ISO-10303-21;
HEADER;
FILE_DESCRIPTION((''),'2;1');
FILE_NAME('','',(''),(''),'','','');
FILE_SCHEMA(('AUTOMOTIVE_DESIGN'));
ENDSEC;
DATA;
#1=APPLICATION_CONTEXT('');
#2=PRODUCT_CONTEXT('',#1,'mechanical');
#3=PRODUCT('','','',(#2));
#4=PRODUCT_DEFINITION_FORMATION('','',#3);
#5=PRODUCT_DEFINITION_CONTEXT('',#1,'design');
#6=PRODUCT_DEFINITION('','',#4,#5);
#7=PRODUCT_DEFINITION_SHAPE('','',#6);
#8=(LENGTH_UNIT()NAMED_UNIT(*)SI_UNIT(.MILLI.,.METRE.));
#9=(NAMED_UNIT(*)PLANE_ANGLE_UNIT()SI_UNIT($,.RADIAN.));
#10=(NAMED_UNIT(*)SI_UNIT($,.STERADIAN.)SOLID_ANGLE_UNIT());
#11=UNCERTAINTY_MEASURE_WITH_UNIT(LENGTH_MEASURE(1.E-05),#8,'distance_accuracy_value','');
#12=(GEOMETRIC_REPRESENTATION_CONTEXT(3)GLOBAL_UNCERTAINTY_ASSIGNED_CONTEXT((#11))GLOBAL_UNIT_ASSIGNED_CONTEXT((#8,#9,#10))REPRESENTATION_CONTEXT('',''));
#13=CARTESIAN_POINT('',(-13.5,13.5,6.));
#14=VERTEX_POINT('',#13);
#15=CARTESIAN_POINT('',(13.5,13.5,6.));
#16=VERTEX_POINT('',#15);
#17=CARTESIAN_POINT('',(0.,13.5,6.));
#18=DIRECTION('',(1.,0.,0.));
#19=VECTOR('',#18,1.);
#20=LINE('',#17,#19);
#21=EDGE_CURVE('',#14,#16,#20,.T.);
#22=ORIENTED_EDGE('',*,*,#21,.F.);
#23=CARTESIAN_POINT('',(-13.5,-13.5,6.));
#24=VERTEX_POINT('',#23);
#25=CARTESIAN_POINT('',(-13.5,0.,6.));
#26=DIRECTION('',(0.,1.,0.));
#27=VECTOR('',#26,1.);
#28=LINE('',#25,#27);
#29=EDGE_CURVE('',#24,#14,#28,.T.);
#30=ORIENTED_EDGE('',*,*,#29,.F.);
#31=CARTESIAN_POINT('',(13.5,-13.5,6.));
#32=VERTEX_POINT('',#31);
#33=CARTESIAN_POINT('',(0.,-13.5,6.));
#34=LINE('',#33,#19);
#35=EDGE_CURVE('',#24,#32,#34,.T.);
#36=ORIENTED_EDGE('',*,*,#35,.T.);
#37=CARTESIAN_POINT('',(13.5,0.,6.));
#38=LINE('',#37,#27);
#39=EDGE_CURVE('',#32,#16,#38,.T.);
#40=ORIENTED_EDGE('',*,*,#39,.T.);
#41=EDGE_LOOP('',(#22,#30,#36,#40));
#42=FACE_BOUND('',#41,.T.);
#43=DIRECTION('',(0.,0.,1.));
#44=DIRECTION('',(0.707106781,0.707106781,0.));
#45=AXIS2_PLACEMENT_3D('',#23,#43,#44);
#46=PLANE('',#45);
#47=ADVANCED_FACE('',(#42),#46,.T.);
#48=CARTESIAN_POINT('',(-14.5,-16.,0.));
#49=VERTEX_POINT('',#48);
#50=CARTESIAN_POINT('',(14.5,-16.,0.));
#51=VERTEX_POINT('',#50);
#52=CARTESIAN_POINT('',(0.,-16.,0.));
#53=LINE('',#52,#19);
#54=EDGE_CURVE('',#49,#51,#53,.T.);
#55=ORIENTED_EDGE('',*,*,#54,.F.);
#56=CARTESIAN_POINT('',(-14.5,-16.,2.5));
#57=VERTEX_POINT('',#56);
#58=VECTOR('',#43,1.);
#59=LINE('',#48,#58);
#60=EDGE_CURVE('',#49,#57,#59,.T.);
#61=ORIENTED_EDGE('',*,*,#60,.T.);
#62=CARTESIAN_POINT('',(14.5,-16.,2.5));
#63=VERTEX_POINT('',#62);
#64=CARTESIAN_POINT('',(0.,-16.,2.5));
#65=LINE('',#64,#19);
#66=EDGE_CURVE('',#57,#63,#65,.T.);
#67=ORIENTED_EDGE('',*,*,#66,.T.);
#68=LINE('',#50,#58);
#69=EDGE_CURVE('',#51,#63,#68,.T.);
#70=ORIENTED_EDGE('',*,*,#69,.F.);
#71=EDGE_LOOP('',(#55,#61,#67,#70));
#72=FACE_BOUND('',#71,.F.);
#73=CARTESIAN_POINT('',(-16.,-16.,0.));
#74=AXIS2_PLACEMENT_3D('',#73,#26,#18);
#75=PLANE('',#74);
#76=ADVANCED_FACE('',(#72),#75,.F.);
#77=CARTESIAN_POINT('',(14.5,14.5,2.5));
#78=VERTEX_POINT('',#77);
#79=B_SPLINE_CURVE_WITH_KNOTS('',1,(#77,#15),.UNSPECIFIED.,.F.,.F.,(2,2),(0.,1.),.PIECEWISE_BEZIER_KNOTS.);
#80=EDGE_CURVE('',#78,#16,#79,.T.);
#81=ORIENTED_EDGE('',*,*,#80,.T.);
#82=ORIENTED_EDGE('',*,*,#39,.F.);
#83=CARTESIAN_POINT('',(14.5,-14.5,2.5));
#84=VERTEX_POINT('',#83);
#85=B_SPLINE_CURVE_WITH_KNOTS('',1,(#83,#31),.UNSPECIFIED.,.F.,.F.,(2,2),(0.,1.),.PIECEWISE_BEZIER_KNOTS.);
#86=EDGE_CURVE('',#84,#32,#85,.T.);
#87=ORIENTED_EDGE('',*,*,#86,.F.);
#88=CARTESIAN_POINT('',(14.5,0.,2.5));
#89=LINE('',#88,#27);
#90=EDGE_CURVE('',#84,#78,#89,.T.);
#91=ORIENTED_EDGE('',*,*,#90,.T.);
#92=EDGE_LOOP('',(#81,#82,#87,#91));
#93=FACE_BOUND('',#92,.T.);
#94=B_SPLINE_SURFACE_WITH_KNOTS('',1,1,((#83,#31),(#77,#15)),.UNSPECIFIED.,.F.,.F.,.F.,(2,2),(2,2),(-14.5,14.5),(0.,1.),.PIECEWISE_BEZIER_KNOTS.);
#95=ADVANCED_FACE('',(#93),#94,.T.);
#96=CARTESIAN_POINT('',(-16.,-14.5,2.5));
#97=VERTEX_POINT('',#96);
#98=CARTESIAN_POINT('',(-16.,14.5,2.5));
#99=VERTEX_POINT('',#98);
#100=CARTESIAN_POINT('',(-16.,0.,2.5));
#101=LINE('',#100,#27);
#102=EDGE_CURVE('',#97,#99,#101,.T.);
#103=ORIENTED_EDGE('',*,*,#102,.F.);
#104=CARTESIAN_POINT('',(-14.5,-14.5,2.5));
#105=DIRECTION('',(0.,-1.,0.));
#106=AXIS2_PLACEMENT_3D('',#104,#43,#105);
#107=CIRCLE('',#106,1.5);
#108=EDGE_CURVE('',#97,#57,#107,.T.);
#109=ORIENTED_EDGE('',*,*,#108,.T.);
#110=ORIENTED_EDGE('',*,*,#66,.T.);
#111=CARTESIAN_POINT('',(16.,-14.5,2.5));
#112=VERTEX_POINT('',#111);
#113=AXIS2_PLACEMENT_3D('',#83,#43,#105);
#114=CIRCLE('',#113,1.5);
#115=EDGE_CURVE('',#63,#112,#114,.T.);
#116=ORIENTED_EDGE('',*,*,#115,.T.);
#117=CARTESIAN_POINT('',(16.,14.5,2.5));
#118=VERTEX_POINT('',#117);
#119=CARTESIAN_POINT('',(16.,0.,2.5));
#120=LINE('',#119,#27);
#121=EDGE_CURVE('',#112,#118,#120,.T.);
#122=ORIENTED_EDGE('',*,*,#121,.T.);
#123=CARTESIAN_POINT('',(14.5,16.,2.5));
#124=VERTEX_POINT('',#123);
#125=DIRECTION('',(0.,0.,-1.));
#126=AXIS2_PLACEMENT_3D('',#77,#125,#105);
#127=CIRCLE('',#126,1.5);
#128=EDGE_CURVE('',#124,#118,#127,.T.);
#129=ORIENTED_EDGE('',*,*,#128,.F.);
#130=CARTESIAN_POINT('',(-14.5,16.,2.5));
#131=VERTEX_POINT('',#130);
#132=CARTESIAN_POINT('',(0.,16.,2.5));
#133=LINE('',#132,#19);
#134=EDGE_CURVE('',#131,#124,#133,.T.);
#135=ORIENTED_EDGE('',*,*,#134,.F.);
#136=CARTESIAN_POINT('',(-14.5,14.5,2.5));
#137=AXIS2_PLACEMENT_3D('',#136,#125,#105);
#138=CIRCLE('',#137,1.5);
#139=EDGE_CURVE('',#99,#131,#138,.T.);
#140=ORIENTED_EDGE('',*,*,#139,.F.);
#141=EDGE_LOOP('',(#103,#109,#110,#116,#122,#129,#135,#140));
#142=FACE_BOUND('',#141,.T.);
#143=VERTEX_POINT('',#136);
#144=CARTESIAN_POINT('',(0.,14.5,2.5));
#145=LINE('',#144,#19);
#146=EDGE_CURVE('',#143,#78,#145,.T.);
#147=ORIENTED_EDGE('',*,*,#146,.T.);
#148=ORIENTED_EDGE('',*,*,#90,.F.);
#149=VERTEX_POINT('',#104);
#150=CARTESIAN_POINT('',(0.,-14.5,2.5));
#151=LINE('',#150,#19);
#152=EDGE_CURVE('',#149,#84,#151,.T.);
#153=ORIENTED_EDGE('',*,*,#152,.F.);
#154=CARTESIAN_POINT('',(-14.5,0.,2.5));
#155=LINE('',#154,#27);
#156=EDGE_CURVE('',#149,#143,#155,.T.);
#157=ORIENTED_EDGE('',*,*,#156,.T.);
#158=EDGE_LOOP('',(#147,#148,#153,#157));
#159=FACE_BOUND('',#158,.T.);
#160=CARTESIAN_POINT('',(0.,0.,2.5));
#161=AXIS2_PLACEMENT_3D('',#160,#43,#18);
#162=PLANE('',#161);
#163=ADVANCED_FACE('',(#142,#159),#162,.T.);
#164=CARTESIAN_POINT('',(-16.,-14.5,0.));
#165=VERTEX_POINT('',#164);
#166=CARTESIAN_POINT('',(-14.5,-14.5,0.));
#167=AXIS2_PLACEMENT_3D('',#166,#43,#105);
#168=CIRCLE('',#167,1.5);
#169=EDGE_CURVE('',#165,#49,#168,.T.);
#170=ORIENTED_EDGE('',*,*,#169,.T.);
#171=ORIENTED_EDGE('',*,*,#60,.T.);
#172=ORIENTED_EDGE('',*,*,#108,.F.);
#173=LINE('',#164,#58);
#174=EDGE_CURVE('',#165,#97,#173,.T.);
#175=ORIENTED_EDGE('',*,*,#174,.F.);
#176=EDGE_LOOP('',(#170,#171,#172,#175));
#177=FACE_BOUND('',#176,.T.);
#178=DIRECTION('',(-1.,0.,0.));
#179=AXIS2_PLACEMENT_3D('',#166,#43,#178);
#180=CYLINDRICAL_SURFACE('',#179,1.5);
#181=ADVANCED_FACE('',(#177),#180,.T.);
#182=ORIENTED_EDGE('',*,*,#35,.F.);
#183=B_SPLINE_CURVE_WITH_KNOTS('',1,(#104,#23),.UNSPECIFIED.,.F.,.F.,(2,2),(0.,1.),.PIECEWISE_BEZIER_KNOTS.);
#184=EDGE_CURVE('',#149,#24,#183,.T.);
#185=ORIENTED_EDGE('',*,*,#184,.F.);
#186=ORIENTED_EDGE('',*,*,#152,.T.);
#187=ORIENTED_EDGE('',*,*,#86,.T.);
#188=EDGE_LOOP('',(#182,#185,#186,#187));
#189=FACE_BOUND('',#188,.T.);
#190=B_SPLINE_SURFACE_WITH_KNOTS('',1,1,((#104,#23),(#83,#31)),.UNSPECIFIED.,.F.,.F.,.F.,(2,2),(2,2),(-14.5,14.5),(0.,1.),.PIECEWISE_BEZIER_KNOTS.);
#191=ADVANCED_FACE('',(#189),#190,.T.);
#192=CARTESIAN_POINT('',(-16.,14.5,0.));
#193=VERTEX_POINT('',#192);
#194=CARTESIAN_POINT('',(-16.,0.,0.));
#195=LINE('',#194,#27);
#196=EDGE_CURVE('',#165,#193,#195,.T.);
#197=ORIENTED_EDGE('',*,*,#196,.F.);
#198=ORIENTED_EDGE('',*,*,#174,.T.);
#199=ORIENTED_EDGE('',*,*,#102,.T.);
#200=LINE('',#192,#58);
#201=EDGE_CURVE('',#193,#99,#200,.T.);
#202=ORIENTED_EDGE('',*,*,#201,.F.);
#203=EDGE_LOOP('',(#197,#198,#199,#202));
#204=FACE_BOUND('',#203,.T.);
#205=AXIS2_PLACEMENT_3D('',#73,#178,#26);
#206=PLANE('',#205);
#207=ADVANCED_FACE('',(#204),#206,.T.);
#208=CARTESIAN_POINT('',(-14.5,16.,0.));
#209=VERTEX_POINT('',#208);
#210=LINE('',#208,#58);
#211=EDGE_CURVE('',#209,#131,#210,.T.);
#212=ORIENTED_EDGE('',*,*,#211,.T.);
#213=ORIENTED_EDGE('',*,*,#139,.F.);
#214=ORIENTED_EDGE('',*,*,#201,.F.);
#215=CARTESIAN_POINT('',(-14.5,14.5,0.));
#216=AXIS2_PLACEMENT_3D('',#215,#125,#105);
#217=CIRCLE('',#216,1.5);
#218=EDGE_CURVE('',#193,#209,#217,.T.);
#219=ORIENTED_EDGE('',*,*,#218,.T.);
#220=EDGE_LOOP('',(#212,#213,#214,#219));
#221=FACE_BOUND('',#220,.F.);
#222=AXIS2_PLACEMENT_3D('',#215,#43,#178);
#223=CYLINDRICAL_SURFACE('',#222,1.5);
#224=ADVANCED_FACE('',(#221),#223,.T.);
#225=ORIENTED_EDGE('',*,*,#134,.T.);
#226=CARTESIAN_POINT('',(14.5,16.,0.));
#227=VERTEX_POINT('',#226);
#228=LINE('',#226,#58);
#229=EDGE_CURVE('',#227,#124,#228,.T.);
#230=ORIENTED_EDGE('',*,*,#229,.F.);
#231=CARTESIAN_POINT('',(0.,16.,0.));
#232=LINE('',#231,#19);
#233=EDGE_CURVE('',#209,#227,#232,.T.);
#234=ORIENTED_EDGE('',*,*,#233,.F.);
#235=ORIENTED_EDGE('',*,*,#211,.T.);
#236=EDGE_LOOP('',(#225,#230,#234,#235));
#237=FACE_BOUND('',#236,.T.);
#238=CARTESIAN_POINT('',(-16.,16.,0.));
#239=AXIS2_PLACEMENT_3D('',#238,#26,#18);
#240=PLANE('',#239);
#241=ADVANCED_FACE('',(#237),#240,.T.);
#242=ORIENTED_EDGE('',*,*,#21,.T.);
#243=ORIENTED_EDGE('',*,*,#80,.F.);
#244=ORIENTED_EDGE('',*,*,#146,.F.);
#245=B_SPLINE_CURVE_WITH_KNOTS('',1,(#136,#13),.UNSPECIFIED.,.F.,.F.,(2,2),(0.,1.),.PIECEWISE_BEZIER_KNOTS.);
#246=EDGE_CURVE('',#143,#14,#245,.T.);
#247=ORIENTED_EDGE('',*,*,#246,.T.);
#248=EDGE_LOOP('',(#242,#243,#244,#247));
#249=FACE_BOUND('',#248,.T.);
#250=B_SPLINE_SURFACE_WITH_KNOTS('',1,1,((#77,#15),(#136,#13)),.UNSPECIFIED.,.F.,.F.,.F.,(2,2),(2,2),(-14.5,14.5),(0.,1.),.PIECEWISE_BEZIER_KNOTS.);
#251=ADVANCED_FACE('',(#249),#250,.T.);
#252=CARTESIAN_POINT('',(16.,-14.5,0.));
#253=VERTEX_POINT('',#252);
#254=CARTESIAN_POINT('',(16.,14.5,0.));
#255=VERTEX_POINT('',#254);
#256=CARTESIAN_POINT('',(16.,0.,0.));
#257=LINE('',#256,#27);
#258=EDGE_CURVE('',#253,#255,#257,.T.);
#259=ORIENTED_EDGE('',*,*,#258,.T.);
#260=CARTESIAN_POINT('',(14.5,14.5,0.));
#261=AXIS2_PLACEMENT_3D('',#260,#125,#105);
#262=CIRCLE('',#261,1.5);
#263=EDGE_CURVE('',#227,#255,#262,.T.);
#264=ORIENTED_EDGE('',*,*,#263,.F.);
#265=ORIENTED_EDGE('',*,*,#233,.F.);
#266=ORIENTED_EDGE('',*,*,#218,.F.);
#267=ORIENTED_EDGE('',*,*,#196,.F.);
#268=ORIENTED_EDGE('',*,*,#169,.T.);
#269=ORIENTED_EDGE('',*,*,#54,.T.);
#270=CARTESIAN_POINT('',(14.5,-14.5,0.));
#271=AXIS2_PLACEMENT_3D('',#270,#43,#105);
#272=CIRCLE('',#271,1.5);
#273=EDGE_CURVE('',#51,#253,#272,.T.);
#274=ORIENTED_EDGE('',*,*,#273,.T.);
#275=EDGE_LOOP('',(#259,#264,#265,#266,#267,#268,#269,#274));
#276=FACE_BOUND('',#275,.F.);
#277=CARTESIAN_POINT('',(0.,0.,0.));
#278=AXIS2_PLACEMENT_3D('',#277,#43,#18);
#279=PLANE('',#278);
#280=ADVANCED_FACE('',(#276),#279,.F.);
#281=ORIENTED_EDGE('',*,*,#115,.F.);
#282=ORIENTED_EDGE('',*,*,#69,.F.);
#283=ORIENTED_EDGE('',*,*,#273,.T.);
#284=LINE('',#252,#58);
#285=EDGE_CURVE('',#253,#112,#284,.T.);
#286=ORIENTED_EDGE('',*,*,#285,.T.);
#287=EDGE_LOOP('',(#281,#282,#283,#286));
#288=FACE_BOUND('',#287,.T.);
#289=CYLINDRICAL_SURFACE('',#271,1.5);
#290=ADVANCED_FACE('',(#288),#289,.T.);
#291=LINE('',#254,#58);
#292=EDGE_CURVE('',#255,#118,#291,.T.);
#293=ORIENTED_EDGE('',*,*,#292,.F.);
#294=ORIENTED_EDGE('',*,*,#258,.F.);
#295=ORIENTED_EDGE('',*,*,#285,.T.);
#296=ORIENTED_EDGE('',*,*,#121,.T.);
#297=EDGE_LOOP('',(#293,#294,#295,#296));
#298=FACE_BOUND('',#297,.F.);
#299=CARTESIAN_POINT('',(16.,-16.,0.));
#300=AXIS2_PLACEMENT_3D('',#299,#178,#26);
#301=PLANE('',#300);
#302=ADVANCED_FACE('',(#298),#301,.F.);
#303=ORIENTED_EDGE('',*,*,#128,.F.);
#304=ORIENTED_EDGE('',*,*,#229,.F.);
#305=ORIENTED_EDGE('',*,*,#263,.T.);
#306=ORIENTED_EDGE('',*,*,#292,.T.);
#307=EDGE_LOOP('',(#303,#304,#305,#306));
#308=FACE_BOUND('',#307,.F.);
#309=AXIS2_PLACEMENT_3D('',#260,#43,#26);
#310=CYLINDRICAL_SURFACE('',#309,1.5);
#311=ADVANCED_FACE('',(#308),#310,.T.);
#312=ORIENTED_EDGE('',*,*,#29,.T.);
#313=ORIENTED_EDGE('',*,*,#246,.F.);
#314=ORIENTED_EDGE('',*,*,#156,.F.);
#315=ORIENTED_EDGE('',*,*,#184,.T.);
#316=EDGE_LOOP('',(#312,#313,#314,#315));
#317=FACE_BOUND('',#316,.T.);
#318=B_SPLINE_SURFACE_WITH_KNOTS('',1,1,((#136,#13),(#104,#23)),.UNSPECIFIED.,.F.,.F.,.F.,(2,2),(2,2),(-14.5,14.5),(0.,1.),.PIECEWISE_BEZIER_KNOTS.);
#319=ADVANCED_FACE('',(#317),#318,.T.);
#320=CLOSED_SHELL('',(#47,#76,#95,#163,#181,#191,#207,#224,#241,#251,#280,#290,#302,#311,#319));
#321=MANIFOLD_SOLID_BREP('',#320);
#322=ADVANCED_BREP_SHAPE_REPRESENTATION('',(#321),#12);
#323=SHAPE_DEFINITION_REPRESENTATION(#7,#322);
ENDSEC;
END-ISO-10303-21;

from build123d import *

# Parameters (mm, degrees)
F0_W     = 32
F0_H     = 32
F1_DEPTH = 2.5
F2_W     = 29
F2_H     = 29
F4_W     = 27
F4_H     = 27
F6_R     = 1.5


with BuildPart() as f1:
    # F0 (on Top) → F1 (new body)
    with BuildSketch(Plane.XY):
        Rectangle(F0_W, F0_H)
    extrude(amount=F1_DEPTH)

    # F2 (on face) → F5 section 0
    with BuildSketch(Plane.XY.offset(2.5)):
        Rectangle(F2_W, F2_H)
    # F4 (on offset) → F5 section 1
    with BuildSketch(Plane.XY.offset(6)):
        Rectangle(F4_W, F4_H)
    loft()

    # F6
    f6_edges = [f1.edges().sort_by_distance(p)[0] for p in [
        (16, 16, 1.25),
        (16, -16, 1.25),
        (-16, 16, 1.25),
        (-16, -16, 1.25),
    ]]
    fillet(f6_edges, radius=F6_R)


solid = f1.part
